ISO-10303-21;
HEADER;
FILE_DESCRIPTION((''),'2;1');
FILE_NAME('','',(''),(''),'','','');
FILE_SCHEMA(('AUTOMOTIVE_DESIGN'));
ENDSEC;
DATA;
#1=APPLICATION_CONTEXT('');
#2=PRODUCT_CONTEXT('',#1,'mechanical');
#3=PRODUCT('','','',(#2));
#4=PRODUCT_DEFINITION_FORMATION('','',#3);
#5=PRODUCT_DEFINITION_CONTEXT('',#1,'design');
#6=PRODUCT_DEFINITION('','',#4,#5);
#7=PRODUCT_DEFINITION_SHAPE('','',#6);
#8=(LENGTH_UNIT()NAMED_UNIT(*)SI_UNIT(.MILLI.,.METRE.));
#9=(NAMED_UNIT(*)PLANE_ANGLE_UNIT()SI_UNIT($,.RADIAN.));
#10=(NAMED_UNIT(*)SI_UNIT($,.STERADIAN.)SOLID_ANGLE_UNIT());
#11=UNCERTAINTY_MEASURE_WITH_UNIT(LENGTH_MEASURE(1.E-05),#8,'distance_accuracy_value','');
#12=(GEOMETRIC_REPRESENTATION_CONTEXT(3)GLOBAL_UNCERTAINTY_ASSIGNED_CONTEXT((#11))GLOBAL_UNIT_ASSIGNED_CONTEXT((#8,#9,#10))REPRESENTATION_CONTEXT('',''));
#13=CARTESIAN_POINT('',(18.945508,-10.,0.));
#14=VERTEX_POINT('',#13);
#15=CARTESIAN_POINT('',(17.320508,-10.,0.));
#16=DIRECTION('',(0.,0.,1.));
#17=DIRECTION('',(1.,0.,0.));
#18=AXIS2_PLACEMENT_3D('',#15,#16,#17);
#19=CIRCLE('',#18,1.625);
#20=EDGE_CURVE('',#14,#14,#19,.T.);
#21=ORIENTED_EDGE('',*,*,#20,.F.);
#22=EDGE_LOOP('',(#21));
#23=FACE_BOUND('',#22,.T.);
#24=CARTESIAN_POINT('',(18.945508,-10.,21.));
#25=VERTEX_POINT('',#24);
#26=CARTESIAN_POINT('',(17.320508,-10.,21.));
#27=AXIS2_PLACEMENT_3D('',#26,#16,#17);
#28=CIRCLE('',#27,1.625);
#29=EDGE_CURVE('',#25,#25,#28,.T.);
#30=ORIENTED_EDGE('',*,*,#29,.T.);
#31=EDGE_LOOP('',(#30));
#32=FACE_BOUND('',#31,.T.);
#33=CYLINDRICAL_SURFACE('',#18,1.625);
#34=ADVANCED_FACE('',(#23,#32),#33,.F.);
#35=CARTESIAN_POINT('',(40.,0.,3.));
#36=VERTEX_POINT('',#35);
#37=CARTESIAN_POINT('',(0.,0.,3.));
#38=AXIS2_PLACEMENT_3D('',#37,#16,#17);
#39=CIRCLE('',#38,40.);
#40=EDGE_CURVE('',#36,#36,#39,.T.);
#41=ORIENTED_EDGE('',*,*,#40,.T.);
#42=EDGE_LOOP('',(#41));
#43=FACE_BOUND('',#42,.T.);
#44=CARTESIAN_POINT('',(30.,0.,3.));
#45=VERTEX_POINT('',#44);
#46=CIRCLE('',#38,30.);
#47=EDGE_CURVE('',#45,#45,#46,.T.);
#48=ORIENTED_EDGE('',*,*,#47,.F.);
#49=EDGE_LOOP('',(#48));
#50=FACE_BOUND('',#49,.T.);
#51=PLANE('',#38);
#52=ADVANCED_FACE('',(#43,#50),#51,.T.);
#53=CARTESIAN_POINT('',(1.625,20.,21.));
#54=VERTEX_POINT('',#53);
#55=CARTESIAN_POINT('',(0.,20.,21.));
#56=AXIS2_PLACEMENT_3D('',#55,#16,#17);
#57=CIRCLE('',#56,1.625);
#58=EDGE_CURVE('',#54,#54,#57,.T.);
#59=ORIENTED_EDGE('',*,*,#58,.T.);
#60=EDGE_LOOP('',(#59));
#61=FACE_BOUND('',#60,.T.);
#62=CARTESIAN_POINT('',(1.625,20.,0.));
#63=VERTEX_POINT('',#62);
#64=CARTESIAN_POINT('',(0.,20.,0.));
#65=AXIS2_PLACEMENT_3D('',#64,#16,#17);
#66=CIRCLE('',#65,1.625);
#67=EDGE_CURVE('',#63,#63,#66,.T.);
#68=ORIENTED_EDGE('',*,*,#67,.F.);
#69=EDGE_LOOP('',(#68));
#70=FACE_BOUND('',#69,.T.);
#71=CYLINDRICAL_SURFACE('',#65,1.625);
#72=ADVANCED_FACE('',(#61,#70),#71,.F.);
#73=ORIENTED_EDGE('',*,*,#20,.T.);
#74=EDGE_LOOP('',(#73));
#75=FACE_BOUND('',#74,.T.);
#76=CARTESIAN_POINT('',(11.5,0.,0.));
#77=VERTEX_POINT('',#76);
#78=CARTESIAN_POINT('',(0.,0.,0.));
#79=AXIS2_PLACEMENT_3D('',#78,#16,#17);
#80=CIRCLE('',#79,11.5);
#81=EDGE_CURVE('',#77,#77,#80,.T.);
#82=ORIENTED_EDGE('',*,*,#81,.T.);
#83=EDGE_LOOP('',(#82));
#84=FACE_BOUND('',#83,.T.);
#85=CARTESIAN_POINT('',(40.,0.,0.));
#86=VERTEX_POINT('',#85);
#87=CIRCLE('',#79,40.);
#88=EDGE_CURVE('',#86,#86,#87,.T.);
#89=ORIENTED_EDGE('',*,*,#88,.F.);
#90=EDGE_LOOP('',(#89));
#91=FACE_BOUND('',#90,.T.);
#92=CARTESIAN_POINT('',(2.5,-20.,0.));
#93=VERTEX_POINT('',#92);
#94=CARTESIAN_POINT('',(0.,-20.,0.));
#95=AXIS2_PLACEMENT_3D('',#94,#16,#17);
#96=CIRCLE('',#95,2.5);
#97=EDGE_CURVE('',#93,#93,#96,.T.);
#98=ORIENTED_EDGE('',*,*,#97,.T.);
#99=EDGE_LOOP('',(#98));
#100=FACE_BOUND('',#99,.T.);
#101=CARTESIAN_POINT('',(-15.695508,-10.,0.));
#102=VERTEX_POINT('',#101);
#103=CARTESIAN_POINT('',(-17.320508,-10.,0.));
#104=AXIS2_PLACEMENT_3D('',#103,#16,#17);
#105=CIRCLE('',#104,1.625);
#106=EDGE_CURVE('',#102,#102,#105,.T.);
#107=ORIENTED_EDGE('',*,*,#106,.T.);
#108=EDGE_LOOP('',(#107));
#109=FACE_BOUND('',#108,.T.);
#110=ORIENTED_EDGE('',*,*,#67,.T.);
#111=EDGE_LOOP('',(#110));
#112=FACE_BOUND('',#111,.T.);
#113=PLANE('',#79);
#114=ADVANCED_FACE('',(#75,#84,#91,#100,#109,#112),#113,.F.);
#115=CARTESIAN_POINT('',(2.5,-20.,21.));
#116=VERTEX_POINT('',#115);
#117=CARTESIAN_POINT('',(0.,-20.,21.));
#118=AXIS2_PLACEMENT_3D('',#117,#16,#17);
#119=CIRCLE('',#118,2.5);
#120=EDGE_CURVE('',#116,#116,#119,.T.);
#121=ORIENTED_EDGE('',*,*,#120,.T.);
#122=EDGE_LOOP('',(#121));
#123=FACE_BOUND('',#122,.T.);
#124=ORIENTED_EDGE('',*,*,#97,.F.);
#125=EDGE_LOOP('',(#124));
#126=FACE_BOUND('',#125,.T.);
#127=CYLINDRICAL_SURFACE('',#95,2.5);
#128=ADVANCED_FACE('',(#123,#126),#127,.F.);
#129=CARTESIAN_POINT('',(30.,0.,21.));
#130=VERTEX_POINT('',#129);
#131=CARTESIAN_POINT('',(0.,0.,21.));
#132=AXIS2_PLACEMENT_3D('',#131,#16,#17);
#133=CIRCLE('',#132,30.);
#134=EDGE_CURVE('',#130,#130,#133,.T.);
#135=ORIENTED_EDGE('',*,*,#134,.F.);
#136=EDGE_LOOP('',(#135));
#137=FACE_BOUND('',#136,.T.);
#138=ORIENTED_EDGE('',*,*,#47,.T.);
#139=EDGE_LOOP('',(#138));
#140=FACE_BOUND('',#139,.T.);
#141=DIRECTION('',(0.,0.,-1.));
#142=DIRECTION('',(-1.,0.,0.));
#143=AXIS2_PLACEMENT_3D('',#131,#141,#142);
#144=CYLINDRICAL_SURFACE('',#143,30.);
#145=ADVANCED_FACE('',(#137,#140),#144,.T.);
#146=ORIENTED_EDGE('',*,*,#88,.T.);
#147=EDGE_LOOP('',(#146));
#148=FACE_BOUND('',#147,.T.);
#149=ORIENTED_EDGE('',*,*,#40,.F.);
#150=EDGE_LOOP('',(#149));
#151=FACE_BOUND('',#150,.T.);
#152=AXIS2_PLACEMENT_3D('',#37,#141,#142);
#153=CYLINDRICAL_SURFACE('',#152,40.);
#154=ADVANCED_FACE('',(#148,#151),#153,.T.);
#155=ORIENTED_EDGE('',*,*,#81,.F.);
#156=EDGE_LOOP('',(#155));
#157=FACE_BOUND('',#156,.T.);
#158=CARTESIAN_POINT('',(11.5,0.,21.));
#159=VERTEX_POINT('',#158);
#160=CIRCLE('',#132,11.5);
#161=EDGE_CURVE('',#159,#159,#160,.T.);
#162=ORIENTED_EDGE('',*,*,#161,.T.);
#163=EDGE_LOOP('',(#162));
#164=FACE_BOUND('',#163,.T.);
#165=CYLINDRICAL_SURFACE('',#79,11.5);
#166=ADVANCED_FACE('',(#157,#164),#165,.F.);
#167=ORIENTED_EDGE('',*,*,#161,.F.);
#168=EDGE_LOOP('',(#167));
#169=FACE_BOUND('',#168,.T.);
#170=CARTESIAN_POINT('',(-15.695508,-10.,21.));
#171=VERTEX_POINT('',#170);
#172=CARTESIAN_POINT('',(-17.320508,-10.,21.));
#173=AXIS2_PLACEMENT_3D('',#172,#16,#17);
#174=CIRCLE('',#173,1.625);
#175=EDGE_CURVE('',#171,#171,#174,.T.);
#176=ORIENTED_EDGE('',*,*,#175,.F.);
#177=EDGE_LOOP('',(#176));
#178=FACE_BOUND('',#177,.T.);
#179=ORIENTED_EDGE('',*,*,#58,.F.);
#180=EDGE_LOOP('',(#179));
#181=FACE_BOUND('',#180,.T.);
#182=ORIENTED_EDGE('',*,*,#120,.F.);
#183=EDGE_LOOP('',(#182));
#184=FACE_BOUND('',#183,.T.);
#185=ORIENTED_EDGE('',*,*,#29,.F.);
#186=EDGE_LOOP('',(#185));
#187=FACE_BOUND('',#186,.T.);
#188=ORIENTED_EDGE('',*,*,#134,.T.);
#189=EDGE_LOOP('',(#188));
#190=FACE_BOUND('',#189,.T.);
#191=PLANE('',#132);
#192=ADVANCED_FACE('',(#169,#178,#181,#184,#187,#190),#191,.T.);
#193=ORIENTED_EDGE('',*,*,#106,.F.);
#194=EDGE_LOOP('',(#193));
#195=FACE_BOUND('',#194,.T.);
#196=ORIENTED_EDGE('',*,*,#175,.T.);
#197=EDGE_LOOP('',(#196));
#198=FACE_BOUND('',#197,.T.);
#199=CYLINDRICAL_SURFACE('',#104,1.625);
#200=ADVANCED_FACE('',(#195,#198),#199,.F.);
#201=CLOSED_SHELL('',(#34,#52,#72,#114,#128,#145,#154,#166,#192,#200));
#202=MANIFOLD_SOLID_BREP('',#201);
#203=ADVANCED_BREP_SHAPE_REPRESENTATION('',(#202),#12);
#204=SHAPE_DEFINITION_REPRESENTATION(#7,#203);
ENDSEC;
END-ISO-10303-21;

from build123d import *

# Parameters (mm, degrees)
SKETCH1_R           = 40
BOSS_EXTRUDE1_DEPTH = 3
SKETCH2_R           = 30
BOSS_EXTRUDE2_DEPTH = 18
SKETCH3_R           = 1.625
SKETCH3_R_2         = 11.5
SKETCH3_R_3         = 2.5
CUT_EXTRUDE1_DEPTH  = 61.340699366


with BuildPart() as part:
    # Sketch1 → Boss-Extrude1 (new body)
    with BuildSketch(Plane.XY):
        Circle(SKETCH1_R)
    extrude(amount=BOSS_EXTRUDE1_DEPTH)

    # Sketch2 → Boss-Extrude2 (add)
    with BuildSketch(Plane.XY.offset(3)):
        Circle(SKETCH2_R)
    extrude(amount=BOSS_EXTRUDE2_DEPTH)

    # Sketch3 → Cut-Extrude1 (cut, through all)
    with BuildSketch(Plane.XY.offset(21)):
        with Locations((0, 20)):
            Circle(SKETCH3_R)
        with Locations((17.320508076, -10)):
            Circle(SKETCH3_R)
        with Locations((-17.320508076, -10)):
            Circle(SKETCH3_R)
        Circle(SKETCH3_R_2)
        with Locations((0, -20)):
            Circle(SKETCH3_R_3)
    extrude(amount=-CUT_EXTRUDE1_DEPTH, mode=Mode.SUBTRACT)


solid = part.part
